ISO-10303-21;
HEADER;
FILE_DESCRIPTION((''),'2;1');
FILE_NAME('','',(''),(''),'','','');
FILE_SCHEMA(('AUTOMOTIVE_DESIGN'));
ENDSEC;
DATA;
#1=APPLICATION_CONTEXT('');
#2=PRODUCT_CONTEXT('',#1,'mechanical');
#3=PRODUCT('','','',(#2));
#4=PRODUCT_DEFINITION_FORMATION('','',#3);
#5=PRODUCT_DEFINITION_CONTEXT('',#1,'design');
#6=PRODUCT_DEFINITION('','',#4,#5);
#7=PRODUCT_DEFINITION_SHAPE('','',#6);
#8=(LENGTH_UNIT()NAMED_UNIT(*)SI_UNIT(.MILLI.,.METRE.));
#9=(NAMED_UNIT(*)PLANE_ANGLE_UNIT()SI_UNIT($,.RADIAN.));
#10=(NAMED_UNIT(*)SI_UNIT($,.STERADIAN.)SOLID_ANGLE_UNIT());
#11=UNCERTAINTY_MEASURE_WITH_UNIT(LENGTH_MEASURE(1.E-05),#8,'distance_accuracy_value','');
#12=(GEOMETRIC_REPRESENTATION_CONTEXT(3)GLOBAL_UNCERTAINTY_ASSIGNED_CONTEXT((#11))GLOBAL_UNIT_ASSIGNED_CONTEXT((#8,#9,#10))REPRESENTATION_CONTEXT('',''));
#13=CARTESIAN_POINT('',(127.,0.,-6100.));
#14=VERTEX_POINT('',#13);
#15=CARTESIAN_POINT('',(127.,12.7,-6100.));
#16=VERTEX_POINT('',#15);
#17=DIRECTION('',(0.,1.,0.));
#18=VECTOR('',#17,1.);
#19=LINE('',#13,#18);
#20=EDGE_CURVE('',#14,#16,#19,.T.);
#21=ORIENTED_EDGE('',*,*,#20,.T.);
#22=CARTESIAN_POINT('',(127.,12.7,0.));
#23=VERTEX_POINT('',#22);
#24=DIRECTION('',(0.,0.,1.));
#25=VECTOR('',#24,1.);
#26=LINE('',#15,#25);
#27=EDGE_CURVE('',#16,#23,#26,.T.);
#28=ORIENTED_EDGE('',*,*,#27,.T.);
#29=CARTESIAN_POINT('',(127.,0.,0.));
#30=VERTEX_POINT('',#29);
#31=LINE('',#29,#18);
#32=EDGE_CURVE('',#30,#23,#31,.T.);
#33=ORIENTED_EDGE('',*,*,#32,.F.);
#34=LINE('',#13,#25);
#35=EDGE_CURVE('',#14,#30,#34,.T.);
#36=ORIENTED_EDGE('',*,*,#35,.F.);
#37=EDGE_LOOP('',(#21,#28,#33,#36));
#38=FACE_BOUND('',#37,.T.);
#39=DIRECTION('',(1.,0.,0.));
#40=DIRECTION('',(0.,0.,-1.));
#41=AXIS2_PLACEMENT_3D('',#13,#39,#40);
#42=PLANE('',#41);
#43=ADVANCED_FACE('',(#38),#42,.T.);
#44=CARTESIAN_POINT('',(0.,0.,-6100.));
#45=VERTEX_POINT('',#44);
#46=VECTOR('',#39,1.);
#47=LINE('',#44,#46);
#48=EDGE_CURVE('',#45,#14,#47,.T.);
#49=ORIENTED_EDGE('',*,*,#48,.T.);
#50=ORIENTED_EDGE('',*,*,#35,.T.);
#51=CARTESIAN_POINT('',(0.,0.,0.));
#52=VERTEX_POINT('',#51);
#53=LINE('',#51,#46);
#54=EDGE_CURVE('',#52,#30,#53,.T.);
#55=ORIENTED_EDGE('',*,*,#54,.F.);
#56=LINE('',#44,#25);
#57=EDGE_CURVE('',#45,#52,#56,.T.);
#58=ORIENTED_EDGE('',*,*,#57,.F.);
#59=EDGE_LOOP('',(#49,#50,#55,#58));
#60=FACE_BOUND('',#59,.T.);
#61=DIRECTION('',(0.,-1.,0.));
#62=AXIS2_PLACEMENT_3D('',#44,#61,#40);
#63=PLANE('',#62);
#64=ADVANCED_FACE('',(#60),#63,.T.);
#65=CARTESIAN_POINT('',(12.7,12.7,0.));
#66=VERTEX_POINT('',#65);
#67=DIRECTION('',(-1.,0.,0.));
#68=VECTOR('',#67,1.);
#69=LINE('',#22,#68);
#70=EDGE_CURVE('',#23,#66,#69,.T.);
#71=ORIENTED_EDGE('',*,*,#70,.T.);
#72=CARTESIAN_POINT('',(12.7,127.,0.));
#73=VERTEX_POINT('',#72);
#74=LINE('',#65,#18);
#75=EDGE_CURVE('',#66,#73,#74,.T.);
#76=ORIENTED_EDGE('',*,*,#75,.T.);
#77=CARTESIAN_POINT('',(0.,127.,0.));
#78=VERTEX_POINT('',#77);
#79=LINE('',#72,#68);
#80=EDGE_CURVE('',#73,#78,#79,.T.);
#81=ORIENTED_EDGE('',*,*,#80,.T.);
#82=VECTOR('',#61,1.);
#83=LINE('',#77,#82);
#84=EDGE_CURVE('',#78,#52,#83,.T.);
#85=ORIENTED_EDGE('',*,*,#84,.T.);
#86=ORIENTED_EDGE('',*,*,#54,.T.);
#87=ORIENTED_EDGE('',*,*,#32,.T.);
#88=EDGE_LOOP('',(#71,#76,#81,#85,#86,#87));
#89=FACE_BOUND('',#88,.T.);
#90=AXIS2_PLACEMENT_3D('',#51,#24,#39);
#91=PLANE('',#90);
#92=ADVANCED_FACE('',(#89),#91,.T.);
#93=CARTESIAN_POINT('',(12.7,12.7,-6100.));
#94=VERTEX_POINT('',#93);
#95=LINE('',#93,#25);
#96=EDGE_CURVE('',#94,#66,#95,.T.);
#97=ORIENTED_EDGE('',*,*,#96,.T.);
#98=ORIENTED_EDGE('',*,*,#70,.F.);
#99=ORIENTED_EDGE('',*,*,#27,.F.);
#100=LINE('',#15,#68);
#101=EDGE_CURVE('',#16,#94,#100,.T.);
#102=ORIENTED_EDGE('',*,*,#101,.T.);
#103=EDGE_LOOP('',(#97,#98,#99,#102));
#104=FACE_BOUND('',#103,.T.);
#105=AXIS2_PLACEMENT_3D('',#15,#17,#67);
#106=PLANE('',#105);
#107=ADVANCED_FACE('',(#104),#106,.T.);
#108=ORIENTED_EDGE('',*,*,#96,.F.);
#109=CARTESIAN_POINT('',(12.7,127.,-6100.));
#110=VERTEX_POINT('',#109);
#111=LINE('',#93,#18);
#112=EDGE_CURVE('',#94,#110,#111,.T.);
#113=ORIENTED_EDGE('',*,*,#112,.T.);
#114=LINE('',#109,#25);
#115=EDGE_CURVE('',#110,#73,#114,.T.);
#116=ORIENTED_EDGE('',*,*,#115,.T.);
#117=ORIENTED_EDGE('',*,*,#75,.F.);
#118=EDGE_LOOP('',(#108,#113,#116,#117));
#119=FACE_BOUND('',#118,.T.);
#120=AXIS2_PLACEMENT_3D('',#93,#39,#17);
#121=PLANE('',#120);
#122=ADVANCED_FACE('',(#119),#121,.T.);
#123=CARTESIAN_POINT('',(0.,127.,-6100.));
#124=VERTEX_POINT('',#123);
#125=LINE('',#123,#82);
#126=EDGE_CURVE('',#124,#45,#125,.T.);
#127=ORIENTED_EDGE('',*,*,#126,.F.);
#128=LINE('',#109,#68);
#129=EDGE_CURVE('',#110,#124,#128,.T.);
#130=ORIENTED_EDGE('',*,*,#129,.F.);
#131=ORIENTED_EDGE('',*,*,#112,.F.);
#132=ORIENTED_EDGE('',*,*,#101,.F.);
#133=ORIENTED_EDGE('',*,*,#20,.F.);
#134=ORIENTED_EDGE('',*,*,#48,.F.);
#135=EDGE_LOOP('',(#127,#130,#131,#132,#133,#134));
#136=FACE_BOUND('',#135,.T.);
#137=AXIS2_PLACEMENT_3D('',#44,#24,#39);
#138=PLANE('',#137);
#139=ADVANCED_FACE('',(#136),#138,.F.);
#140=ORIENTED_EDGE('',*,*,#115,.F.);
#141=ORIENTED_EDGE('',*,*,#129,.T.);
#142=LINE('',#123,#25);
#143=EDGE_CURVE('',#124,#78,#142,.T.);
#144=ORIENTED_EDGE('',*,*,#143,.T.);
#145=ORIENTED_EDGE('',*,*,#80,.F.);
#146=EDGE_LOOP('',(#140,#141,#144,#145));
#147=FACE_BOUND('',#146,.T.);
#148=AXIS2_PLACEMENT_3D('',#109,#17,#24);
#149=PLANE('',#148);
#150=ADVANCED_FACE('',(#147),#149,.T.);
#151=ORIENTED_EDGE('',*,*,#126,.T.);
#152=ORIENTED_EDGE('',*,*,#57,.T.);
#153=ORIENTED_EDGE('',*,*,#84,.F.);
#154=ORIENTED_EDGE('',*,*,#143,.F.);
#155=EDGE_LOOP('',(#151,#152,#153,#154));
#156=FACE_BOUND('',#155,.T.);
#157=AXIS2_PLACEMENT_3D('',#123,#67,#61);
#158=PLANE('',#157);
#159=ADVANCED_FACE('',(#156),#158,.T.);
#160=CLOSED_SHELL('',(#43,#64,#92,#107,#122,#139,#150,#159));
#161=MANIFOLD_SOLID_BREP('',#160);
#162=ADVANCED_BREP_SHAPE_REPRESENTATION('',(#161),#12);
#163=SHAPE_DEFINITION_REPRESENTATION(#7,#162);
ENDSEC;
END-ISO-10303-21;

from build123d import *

# Parameters (mm, degrees)
SALIENTE_EXTRUIR1_DEPTH = 6100


with BuildPart() as part:
    # Croquis1 → Saliente-Extruir1 (new body)
    with BuildSketch(Plane.XY):
        Polygon((0, 127), (0, 0), (127, 0), (127, 12.7), (12.7, 12.7), (12.7, 127), align=None)
    extrude(amount=-SALIENTE_EXTRUIR1_DEPTH)


solid = part.part
